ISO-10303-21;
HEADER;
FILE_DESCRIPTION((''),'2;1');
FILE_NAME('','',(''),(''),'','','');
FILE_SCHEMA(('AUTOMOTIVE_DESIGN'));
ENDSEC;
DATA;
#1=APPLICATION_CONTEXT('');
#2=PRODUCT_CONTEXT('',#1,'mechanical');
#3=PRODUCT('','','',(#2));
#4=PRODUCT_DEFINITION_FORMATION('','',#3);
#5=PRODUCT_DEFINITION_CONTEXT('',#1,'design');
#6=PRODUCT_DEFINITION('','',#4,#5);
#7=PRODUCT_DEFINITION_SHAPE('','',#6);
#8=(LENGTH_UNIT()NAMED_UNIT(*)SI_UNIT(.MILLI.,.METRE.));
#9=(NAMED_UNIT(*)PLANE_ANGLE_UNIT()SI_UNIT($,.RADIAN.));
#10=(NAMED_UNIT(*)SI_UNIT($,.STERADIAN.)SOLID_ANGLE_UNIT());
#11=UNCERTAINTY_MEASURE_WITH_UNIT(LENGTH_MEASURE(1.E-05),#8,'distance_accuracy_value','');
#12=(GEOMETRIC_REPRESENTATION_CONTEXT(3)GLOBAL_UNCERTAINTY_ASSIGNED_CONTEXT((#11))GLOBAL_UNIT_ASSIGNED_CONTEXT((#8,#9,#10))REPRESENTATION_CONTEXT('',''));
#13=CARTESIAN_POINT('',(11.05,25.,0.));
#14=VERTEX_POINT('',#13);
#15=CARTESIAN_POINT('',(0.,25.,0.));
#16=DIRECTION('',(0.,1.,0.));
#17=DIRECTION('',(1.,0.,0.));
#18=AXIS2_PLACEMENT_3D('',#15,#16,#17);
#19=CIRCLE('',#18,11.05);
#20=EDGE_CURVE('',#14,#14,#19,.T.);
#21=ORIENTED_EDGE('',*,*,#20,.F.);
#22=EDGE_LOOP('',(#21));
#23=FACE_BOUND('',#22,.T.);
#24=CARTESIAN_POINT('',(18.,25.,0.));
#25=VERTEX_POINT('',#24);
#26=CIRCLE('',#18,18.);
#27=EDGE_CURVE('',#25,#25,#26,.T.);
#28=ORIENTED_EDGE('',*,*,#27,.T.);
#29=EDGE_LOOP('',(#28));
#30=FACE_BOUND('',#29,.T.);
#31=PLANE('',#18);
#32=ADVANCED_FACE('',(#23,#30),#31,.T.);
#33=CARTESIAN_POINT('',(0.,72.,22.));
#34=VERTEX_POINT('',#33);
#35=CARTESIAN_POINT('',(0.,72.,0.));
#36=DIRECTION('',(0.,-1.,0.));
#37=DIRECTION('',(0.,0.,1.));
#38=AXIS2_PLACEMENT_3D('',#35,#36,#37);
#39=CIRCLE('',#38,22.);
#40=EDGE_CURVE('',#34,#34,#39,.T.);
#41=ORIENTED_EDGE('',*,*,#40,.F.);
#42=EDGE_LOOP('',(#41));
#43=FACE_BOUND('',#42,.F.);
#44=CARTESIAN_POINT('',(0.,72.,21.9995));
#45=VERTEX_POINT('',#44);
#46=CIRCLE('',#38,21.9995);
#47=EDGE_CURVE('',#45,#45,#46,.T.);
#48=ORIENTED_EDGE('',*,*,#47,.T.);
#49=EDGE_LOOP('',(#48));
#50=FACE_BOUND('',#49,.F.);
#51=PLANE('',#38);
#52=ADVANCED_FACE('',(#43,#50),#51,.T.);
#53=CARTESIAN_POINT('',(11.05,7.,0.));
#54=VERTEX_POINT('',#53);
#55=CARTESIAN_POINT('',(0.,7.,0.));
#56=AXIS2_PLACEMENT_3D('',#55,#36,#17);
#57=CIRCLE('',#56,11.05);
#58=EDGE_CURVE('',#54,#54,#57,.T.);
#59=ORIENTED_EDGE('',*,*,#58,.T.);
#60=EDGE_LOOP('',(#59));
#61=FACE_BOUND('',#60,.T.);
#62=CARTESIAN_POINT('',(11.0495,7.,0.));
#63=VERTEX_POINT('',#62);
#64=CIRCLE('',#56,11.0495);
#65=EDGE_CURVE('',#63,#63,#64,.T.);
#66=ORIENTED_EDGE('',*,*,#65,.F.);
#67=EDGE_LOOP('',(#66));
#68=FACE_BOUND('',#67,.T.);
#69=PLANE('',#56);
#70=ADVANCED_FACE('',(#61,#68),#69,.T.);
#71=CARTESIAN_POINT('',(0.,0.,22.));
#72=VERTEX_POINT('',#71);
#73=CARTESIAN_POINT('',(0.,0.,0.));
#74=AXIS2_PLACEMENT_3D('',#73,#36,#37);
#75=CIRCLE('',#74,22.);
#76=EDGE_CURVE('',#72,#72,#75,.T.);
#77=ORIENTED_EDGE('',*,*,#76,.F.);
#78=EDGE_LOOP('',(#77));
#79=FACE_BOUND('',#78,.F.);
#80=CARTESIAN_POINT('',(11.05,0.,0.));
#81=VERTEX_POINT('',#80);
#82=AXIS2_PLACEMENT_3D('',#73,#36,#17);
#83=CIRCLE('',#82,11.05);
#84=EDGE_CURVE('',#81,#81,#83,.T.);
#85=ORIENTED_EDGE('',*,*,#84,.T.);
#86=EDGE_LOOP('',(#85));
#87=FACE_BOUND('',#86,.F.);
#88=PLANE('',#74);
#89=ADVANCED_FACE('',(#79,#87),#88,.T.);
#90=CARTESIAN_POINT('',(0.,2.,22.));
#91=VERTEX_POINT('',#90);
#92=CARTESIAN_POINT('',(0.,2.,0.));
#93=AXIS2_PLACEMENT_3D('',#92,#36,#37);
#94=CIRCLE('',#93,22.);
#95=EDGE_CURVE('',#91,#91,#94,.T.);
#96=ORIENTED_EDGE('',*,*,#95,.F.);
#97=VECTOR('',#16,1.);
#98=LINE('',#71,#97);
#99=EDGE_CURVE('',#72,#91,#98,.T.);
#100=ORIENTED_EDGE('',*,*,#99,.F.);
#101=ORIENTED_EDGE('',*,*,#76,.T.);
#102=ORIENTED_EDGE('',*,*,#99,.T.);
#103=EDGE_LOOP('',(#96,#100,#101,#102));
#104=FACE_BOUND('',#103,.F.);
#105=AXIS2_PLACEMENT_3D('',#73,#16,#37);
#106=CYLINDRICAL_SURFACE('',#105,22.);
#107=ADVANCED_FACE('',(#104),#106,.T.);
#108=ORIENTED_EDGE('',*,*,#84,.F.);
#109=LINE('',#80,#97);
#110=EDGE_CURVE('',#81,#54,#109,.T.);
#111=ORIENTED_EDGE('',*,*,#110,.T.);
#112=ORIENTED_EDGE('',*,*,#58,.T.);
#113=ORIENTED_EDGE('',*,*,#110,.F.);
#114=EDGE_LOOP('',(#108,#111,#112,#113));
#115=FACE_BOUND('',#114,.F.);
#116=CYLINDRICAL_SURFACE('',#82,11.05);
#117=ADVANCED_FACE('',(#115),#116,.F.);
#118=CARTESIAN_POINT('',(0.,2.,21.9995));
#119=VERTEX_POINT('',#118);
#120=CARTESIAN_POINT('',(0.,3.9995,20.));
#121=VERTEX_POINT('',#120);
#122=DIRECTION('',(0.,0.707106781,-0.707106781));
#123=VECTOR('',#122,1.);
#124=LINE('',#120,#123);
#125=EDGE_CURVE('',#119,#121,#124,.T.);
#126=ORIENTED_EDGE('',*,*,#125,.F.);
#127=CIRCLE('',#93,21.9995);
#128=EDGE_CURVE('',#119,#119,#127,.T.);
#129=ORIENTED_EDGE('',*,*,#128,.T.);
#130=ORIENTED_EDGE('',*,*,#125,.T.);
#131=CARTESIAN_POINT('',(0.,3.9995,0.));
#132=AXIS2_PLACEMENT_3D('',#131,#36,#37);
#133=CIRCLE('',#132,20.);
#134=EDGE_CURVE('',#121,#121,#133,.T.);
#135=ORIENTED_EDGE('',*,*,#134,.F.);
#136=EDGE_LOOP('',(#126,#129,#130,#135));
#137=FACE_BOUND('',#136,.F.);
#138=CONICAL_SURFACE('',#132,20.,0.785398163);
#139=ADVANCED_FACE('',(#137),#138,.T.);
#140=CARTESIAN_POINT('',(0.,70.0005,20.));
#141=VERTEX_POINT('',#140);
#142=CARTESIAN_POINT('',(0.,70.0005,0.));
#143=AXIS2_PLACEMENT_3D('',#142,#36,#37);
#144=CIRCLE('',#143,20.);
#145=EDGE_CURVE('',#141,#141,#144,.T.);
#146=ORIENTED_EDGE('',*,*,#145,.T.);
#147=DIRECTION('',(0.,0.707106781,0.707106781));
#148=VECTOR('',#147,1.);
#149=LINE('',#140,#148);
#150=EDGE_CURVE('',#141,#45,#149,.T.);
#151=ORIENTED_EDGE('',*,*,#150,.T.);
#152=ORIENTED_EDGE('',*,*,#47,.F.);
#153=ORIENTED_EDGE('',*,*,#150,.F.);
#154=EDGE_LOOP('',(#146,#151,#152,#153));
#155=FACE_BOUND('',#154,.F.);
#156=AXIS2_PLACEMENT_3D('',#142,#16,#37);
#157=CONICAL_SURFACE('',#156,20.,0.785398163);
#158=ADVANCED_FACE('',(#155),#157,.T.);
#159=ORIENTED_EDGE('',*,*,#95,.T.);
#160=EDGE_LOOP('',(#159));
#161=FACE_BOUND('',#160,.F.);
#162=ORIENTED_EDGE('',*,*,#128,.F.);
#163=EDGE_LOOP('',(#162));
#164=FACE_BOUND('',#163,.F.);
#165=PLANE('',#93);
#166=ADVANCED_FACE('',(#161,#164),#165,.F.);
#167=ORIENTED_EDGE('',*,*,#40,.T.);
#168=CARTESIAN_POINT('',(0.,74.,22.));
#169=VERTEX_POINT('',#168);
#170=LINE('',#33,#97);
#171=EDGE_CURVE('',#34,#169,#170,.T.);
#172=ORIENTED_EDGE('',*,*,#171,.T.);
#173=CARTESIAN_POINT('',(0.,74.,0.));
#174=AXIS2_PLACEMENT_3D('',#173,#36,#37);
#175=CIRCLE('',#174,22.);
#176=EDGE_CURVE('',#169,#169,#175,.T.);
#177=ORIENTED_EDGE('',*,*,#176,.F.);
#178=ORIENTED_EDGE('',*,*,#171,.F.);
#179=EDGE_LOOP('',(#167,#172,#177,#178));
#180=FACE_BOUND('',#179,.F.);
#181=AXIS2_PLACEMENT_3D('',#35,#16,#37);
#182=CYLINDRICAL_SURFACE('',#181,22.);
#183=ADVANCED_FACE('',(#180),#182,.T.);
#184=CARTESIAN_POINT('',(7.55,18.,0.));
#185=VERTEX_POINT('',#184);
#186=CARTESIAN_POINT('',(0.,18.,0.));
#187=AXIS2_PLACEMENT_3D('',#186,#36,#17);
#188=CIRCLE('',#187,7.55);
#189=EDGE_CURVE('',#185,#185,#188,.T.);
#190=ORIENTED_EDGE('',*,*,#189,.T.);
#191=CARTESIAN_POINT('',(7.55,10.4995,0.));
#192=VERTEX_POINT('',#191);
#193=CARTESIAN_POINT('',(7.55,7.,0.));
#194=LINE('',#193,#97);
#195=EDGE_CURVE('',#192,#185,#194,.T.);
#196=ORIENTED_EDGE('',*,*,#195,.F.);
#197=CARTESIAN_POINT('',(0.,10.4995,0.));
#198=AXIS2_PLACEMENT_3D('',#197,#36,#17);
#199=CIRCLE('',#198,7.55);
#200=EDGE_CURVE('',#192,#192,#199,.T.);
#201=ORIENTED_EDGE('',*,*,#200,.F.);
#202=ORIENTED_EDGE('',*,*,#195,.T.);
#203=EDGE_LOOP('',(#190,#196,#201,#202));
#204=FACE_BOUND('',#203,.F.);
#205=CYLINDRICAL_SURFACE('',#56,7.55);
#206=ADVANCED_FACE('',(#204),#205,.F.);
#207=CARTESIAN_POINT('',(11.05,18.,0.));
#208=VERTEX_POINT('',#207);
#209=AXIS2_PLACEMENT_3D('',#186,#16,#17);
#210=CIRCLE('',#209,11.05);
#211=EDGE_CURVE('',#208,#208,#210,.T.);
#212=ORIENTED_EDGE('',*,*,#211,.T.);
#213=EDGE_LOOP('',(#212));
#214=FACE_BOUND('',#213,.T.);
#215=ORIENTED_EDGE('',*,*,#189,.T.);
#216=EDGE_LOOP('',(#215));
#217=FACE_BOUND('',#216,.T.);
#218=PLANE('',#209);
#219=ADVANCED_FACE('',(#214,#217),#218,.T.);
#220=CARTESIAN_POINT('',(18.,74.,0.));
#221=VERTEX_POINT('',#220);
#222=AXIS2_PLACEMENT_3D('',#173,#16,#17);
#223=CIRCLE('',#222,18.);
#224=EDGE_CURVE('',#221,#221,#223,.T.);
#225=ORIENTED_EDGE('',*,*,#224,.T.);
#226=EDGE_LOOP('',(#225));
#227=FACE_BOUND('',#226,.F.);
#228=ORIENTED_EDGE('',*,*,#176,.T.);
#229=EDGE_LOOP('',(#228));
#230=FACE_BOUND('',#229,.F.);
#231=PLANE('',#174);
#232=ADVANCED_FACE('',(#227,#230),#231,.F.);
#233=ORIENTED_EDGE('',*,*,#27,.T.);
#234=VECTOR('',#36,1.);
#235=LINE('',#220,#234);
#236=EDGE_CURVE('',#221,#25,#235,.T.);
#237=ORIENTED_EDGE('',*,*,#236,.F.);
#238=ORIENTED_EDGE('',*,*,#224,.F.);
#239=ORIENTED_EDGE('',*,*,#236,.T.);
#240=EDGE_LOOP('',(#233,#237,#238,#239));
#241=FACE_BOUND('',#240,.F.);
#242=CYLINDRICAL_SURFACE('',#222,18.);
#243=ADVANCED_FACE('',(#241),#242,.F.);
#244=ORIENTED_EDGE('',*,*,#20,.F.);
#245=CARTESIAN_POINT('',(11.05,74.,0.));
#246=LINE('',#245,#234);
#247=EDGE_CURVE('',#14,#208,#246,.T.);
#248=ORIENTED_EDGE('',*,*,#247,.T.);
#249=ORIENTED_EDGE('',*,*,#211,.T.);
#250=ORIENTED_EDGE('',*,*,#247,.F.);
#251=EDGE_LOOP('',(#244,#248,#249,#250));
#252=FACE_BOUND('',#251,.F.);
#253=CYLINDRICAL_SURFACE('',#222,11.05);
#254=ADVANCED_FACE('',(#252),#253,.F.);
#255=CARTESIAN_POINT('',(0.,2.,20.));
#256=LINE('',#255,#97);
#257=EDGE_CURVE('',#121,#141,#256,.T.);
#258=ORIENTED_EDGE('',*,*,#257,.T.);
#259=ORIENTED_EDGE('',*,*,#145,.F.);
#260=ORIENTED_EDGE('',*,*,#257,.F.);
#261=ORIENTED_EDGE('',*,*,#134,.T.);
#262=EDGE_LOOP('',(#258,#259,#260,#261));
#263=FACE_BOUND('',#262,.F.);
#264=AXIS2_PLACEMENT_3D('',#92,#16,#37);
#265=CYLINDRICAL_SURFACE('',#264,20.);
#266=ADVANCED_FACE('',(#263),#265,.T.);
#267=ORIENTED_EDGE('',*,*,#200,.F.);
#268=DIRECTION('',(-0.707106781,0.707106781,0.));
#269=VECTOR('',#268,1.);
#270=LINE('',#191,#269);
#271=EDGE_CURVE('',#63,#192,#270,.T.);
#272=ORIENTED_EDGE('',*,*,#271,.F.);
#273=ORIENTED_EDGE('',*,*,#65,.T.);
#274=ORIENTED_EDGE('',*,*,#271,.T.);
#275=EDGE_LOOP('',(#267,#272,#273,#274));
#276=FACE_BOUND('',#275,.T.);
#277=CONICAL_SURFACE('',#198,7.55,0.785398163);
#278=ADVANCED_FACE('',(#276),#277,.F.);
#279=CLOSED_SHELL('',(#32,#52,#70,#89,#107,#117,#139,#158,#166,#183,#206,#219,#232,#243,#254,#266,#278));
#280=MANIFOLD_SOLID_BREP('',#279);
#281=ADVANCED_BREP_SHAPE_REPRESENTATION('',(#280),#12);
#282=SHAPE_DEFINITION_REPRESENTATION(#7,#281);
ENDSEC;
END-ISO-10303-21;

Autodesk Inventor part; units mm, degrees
ref_plane "YZ Plane" through (0, 0, 0) normal (1, 0, 0) x (0, 1, 0)
ref_plane "XZ Plane" through (0, 0, 0) normal (0, 1, 0) x (-1, 0, 0)
ref_plane "XY Plane" through (0, 0, 0) normal (0, 0, 1) x (1, 0, 0)
sketch "Sketch1" plane through (0, 0, 0) normal (1, 0, 0) x (0, 1, 0)
  line L0 (0, 0) -> (0, 22)
  line L1 (0, 22) -> (2, 22)
  line L2 (2, 22) -> (2, 20)
  line L3 (2, 20) -> (72, 20)
  line L4 (72, 20) -> (72, 22)
  line L5 (72, 22) -> (74, 22)
  line L6 (74, 22) -> (74, 0)
  line L7 (74, 0) -> (0, 0)
  point P0 (74, 11)
  dimension "d0" = 22
  dimension "d5" = 70
  dimension "d6" = 2
  dimension "d7" = 2
  dimension "d29" = 2
revolve "Revolution1" add sketch "Sketch1" angle 360 about axis through (0, 74, 0) along (0, -1, 0)
chamfer "Chamfer1" distance 2 angle 45 2 edges at (0, 2, -20) (0, 72, -20)
sketch "Sketch2" plane through (0, 74, 0) normal (0, 1, 0) x (1, 0, 0)
  circle A0 centre (0, 0) radius 22 projected
  circle A1 centre (0, 0) radius 11.05
  dimension "d12" = 22.1
extrude "Extrusion1" cut sketch "Sketch2" against normal blind 56 contours A1
sketch "Sketch3" plane through (0, 0, 0) normal (0, -1, 0) x (1, 0, 0)
  circle A0 centre (0, 0) radius 22 projected
  circle A1 centre (0, 0) radius 11.05 projected
extrude "Extrusion2" cut sketch "Sketch3" against normal blind 7 contours A1
sketch "Sketch4" plane through (0, 7, 0) normal (0, -1, 0) x (1, 0, 0)
  circle A0 centre (0, 0) radius 11.05 projected
  circle A1 centre (0, 0) radius 7.55
  dimension "d18" = 15.1
extrude "Extrusion3" cut sketch "Sketch4" against normal through all contours A1
chamfer "Chamfer2" distance 3.5 angle 45 1 edges at (-7.55, 7, 0)
sketch "Sketch5" plane through (0, 74, 0) normal (0, 1, 0) x (1, 0, 0)
  circle A0 centre (0, 0) radius 11.05 projected
  circle A1 centre (0, 0) radius 20 projected
  circle A2 centre (0, 0) radius 18
  dimension "d25" = 8.95
  dimension "d26" = 2
extrude "Extrusion4" cut sketch "Sketch5" against normal blind 49 contours A2
properties part number "spool holder"
